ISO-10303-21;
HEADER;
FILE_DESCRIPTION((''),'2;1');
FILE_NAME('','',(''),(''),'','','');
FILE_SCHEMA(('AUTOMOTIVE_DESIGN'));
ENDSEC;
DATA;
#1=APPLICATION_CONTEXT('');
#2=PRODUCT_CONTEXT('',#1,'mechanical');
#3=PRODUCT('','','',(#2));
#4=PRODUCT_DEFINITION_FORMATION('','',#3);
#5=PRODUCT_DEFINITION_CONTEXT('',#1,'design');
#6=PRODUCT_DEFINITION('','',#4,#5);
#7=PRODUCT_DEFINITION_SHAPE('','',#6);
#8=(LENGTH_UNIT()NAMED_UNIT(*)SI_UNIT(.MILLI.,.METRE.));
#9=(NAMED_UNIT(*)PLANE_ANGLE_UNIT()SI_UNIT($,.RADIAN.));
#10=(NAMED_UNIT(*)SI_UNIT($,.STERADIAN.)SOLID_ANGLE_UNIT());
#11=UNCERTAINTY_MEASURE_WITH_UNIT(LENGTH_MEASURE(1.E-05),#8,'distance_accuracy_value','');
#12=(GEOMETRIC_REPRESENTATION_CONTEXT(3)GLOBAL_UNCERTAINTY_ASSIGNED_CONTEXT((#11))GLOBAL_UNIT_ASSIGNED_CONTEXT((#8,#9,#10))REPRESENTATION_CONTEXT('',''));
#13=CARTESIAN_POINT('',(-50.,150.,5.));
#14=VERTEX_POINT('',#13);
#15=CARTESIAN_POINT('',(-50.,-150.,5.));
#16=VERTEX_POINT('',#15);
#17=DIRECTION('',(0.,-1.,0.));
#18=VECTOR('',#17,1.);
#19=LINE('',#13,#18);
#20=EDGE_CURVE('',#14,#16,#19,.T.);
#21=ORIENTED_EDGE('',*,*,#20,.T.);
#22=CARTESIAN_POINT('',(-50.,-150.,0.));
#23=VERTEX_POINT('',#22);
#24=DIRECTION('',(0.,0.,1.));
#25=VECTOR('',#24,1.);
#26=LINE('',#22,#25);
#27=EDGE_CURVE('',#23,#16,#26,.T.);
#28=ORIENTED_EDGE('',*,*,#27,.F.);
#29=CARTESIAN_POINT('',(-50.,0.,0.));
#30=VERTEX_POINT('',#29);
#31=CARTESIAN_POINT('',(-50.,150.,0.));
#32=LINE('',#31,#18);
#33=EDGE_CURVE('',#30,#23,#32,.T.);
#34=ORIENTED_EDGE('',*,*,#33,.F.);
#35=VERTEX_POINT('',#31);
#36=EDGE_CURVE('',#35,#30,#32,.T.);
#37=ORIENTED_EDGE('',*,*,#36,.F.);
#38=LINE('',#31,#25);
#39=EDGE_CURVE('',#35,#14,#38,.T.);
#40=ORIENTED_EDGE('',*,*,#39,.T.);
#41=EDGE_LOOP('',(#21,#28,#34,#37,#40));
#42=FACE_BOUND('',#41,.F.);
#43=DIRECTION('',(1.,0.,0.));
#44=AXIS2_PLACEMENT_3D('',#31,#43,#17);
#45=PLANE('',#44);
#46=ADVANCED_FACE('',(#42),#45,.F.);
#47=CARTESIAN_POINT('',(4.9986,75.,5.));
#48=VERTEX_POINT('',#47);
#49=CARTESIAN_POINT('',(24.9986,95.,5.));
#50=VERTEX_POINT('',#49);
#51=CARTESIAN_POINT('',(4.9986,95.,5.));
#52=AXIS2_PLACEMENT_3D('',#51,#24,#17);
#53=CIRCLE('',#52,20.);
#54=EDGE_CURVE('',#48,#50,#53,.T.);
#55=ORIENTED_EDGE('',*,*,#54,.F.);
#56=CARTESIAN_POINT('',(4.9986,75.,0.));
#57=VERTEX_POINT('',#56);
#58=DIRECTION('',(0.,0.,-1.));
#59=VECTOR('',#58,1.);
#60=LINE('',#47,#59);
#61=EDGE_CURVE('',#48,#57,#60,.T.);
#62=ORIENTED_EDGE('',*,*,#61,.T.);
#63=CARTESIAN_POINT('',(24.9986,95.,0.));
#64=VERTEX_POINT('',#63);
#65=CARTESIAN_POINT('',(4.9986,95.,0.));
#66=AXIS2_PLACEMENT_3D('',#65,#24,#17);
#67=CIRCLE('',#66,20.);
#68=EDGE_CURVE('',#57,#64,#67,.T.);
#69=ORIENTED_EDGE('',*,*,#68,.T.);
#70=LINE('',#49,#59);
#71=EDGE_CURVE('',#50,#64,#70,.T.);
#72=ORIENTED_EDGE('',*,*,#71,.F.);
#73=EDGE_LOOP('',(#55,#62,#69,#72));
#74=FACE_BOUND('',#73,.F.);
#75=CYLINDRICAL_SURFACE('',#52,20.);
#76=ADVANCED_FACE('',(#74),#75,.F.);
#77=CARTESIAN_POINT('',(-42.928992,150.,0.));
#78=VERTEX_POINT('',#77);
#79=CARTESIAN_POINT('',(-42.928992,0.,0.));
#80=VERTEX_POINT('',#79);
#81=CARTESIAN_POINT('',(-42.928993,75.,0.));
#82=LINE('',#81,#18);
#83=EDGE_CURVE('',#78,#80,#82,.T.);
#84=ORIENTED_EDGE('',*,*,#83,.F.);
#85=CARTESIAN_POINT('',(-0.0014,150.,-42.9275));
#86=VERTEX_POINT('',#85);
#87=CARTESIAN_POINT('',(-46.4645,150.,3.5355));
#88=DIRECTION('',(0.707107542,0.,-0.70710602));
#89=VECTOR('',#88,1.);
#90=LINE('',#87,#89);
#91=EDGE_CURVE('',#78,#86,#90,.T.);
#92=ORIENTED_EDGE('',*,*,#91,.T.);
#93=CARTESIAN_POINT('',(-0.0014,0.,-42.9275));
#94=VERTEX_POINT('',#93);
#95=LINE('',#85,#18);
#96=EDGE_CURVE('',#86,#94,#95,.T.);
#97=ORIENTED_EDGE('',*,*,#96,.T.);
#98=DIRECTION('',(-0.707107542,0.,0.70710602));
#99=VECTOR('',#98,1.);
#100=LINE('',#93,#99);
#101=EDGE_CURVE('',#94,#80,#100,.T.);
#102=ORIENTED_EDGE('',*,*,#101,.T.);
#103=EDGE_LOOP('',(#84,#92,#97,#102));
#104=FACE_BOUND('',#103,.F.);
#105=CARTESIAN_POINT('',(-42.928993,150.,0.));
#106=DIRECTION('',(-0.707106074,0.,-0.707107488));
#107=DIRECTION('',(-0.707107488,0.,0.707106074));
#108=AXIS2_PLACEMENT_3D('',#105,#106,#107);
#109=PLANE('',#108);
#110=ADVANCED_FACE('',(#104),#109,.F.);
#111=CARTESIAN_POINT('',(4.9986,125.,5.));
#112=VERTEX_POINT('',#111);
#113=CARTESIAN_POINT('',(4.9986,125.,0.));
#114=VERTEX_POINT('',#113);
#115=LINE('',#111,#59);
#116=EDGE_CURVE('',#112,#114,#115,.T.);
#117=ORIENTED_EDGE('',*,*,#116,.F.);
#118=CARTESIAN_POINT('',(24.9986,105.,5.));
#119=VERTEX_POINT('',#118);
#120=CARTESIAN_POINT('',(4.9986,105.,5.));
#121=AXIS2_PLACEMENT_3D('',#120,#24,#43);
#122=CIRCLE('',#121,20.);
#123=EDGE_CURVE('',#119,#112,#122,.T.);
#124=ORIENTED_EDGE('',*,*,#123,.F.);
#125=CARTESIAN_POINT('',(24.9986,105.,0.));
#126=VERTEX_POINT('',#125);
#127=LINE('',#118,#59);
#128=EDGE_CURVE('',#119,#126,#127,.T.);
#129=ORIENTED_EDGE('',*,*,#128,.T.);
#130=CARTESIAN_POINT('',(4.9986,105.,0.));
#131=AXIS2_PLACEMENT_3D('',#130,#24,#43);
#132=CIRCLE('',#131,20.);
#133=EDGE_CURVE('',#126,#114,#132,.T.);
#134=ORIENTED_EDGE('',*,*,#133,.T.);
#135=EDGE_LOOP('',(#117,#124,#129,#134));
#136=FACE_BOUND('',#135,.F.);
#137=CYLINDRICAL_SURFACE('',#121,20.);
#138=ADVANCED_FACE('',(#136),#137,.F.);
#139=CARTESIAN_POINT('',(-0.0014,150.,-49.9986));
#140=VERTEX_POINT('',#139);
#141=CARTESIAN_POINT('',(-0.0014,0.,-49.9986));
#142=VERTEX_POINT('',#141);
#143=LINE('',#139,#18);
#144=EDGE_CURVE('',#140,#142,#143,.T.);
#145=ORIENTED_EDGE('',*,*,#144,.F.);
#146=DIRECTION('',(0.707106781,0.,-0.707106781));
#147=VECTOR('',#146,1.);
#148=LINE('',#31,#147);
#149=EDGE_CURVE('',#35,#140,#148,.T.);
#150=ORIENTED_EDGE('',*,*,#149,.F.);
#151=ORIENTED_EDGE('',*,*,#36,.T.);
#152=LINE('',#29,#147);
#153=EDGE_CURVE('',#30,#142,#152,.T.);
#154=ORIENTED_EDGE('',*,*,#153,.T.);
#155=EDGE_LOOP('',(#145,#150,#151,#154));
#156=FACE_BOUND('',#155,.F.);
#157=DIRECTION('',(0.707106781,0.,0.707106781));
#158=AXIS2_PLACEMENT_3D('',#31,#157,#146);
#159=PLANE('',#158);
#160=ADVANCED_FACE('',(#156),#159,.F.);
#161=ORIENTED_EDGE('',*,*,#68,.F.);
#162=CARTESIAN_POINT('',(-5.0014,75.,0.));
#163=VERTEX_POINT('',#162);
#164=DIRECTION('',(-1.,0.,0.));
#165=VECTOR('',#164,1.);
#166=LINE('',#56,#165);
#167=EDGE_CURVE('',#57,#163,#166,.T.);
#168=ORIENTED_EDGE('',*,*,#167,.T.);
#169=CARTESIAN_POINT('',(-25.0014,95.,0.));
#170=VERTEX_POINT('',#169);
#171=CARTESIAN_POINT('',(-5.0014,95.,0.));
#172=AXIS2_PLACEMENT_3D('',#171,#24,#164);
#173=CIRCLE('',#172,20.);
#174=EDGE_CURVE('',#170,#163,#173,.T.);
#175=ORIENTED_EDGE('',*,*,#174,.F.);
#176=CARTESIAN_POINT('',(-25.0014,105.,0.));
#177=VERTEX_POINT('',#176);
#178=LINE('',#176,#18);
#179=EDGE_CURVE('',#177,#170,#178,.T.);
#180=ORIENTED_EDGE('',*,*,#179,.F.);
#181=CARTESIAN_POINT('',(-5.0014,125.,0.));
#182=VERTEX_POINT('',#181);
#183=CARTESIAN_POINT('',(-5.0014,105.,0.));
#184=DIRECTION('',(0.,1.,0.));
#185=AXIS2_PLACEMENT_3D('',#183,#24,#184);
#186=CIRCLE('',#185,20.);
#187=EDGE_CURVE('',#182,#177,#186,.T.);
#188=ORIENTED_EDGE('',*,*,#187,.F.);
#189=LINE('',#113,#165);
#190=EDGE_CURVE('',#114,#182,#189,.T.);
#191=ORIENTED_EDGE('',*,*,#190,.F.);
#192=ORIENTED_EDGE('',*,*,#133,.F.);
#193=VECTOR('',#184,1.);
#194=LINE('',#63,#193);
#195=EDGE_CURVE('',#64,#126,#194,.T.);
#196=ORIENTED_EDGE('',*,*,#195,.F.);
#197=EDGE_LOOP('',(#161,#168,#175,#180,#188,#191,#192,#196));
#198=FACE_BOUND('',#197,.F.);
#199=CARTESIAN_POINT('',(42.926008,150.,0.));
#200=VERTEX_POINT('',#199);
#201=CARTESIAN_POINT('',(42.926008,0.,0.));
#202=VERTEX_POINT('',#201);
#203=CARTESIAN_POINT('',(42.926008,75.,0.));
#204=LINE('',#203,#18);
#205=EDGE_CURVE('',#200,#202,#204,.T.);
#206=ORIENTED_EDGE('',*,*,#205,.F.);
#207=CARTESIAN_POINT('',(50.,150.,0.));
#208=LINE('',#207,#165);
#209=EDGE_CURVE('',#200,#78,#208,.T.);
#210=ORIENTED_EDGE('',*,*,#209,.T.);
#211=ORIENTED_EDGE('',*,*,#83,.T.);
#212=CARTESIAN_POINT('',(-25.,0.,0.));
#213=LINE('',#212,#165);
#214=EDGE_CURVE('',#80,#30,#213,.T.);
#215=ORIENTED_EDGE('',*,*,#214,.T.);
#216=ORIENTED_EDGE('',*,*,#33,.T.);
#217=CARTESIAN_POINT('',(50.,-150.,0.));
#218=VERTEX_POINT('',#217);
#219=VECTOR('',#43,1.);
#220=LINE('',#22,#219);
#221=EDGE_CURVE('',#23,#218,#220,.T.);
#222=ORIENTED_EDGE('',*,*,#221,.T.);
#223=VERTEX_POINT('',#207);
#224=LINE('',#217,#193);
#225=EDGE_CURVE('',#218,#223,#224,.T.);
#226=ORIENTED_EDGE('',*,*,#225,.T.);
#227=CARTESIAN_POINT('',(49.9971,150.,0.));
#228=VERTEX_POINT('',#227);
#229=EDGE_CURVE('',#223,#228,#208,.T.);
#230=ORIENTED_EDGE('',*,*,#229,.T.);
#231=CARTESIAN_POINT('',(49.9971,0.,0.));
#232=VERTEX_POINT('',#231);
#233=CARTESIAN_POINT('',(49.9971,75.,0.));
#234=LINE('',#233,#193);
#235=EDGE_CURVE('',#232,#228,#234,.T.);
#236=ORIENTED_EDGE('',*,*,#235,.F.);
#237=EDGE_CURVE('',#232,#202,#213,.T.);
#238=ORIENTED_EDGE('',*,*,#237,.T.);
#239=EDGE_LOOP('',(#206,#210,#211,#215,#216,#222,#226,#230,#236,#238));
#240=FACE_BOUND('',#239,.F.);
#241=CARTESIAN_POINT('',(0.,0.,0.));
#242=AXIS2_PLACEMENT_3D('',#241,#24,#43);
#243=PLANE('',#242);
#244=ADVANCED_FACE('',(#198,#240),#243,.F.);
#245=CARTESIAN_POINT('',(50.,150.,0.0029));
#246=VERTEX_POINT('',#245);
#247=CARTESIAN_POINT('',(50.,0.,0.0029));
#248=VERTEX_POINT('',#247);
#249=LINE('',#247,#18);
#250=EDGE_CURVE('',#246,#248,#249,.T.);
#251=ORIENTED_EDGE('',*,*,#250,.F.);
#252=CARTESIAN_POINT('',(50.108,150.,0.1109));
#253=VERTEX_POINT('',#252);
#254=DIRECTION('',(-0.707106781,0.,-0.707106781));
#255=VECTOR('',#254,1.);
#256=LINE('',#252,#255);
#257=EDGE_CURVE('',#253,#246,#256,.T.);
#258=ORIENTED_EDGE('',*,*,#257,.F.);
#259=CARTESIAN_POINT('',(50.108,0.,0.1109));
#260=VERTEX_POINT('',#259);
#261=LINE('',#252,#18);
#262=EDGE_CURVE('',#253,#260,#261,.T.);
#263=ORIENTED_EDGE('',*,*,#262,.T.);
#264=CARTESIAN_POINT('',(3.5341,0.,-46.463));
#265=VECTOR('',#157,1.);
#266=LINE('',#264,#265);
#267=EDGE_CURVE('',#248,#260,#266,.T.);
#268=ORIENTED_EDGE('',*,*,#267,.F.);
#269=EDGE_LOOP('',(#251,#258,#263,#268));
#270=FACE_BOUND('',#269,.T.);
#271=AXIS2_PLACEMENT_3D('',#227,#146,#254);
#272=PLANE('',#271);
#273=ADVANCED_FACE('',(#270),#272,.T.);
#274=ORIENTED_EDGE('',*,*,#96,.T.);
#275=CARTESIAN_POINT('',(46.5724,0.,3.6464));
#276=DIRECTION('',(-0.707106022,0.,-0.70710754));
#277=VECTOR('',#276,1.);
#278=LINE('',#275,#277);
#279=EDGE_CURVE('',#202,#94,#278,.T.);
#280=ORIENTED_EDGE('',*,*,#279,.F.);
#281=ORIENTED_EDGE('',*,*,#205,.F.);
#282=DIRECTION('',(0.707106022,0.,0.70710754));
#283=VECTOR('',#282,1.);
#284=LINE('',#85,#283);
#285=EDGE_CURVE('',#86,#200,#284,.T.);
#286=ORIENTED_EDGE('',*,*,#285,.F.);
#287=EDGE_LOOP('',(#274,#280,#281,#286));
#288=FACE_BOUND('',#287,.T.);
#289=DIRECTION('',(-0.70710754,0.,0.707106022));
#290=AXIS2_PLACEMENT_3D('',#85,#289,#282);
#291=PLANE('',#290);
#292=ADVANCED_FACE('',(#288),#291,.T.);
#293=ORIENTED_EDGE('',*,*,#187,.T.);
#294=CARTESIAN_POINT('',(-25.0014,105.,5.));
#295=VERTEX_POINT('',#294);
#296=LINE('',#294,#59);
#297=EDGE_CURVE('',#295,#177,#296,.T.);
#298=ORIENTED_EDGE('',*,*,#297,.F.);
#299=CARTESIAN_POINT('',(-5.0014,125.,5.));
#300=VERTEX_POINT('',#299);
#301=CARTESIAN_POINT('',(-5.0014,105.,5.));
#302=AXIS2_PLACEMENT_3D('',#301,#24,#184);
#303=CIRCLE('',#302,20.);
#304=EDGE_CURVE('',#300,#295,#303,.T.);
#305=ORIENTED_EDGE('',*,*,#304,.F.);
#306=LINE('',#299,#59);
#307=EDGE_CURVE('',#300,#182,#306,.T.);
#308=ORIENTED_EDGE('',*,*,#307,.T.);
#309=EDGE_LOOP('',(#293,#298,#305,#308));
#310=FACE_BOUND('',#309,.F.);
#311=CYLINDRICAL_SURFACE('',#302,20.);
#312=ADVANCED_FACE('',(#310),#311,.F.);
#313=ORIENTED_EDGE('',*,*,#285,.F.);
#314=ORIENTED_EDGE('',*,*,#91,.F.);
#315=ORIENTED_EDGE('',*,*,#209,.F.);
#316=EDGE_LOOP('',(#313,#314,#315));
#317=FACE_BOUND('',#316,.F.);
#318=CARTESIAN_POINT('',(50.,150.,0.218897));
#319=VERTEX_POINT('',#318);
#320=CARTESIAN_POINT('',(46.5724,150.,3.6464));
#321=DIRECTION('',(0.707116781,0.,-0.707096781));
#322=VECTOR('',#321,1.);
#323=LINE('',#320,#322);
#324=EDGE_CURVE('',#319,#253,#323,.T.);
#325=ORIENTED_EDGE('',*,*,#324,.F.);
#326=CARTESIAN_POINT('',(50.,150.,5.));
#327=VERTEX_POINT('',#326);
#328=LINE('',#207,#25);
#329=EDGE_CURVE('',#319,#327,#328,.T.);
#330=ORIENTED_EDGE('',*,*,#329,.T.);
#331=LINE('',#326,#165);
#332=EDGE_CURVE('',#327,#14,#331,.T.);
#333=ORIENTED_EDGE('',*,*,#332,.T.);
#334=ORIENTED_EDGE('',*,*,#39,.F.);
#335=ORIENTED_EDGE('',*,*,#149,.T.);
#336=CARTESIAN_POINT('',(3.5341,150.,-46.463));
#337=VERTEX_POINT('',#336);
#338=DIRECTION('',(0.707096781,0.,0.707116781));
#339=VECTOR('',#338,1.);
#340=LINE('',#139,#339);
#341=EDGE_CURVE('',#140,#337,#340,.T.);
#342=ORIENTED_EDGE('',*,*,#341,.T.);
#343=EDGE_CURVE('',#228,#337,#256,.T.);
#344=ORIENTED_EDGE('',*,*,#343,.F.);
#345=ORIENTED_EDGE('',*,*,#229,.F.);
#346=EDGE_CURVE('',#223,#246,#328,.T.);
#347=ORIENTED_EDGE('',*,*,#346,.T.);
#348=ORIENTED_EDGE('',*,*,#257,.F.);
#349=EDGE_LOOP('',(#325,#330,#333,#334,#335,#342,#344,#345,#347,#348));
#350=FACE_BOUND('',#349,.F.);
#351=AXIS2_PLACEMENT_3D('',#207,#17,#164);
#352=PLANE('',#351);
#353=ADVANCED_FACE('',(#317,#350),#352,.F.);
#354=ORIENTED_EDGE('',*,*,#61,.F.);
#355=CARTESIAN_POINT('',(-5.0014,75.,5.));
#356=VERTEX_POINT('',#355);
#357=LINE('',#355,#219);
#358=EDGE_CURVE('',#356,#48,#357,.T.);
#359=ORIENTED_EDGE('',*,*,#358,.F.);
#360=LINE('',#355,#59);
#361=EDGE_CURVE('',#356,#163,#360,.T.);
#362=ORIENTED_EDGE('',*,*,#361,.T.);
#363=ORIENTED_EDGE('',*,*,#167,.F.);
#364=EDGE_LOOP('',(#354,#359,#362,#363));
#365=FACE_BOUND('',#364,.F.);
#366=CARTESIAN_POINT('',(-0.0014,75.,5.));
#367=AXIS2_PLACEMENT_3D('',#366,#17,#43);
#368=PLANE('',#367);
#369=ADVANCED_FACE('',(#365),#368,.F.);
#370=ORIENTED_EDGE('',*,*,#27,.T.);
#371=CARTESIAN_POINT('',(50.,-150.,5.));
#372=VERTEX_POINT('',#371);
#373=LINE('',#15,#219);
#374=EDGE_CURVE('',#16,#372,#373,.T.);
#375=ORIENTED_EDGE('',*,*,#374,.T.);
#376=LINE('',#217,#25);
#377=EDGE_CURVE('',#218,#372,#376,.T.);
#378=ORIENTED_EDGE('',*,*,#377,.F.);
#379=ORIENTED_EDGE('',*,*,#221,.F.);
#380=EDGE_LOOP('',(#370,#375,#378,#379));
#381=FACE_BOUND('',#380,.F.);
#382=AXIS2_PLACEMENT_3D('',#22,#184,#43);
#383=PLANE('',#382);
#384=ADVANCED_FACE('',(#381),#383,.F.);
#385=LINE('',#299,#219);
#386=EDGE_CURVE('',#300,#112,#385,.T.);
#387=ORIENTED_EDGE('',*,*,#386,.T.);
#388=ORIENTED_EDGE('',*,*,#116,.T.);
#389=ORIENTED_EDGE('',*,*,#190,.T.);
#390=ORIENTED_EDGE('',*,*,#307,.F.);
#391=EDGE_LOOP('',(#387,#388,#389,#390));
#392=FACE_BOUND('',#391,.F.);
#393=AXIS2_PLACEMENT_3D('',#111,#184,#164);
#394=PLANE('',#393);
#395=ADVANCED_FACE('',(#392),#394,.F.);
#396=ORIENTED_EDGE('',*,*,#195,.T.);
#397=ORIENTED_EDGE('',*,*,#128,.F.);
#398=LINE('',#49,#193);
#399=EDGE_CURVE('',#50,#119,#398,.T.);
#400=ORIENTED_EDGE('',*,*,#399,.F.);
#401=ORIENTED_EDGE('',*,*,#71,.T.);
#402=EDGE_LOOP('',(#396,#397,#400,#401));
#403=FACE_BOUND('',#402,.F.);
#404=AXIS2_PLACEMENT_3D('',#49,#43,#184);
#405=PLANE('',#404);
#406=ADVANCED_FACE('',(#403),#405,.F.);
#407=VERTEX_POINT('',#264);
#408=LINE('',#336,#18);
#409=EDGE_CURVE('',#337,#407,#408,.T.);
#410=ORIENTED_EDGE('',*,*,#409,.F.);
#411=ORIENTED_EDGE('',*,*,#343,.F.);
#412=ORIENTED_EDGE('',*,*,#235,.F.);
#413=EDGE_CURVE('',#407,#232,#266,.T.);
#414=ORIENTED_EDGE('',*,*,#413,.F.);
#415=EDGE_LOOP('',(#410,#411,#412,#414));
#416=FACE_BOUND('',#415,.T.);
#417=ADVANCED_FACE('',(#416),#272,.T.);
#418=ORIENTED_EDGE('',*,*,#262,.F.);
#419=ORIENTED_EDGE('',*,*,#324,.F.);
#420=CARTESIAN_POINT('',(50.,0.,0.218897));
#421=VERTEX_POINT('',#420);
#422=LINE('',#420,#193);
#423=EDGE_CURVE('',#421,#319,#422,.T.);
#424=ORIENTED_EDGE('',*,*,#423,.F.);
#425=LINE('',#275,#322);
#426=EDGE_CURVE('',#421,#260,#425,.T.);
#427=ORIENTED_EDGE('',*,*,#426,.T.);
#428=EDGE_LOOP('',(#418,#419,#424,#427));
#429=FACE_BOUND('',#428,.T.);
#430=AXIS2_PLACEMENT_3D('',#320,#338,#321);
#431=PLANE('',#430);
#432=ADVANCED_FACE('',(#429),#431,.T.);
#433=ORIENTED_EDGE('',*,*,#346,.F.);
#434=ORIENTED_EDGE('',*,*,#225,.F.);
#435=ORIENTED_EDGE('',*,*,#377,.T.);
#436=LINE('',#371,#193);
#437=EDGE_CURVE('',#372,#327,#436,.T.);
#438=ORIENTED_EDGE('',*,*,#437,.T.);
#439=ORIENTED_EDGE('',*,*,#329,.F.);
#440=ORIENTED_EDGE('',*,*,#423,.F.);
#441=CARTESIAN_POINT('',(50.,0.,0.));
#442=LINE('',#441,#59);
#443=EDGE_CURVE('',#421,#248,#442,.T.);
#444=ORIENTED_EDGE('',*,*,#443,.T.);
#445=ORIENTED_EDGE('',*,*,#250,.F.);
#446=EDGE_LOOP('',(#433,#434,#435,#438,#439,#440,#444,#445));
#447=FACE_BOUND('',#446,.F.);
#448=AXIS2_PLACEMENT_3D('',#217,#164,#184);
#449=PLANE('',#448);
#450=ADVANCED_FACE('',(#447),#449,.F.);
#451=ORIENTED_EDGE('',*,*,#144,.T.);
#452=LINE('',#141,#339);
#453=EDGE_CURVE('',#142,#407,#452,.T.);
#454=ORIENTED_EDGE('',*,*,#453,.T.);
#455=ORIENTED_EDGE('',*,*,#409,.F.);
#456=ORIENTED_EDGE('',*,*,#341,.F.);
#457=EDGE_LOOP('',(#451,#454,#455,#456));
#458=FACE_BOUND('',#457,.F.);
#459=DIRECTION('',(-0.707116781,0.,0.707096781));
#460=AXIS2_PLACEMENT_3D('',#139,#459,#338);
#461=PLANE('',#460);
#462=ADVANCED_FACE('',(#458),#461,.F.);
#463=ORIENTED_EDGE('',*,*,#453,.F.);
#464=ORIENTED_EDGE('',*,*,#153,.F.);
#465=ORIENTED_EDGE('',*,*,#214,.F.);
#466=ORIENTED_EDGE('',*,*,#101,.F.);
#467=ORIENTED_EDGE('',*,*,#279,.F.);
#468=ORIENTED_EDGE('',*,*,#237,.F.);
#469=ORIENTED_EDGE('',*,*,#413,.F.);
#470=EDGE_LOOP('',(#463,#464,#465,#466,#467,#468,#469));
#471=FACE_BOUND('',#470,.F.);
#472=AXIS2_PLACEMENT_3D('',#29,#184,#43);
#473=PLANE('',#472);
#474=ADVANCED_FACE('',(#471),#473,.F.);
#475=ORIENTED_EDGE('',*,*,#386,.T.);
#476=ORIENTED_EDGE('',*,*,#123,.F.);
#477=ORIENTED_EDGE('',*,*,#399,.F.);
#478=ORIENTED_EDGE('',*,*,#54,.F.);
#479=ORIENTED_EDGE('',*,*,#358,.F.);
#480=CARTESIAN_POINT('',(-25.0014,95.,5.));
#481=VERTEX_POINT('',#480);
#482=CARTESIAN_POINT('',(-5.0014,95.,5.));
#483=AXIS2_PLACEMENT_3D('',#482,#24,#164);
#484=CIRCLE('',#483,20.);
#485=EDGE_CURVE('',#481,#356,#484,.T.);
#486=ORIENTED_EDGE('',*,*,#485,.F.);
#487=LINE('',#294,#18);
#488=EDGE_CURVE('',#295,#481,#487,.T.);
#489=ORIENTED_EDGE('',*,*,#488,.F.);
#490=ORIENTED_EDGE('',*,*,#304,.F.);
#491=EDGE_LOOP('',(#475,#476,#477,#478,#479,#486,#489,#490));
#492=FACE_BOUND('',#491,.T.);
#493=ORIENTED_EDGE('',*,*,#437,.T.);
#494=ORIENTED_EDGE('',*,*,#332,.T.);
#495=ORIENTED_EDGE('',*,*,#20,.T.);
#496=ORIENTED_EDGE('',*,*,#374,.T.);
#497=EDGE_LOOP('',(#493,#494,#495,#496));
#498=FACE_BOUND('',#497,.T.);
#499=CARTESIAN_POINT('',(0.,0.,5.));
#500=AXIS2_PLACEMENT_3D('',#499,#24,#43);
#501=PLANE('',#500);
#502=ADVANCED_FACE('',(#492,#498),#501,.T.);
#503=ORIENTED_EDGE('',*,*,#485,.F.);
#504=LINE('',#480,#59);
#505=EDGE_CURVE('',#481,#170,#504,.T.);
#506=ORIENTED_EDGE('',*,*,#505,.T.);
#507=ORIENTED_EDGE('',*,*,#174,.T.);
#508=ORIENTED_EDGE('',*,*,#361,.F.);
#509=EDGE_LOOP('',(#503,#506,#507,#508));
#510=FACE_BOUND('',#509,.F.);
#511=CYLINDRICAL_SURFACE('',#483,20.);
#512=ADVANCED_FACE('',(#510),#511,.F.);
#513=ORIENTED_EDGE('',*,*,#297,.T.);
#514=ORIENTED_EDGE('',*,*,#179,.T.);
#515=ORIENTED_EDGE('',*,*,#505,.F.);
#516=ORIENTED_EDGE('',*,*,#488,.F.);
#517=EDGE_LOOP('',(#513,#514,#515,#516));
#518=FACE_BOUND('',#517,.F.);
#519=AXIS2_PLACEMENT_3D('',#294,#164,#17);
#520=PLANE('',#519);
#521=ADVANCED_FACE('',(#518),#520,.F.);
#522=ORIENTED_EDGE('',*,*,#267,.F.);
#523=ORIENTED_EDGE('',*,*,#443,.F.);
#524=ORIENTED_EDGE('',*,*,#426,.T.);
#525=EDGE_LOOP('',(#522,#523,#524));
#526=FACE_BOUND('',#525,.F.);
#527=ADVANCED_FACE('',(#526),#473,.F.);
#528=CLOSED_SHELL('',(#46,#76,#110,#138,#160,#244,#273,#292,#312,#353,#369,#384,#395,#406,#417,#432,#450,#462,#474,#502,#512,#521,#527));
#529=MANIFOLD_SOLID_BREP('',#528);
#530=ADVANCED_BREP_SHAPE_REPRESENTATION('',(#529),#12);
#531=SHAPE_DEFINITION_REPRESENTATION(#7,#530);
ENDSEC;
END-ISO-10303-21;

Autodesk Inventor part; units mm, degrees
ref_plane "YZ Plane" through (0, 0, 0) normal (1, 0, 0) x (0, 1, 0)
ref_plane "XZ Plane" through (0, 0, 0) normal (0, 1, 0) x (-1, 0, 0)
ref_plane "XY Plane" through (0, 0, 0) normal (0, 0, 1) x (1, 0, 0)
sketch "Sketch1" plane through (0, 0, 0) normal (0, 0, 1) x (1, 0, 0)
  line L0 (-50, -150) -> (50, -150)
  line L1 (50, -150) -> (50, 150)
  line L2 (50, 150) -> (-50, 150)
  line L3 (-50, 150) -> (-50, -150)
  line L4 (-50, -150) -> (50, 150) construction
  line L5 (50, -150) -> (-50, 150) construction
  point P0 (0, 0)
  dimension "d0" = 100
  dimension "d1" = 300
extrude "Extrusion1" add sketch "Sketch1" along normal blind 5
sketch "Sketch2" plane through (-50, 150, 0) normal (0, 1, 0) x (1, 0, 0)
  line L0 (0, 0) -> (100, 0) projected
  line L1 (0, 0) -> (49.9986, 49.9986)
  line L2 (49.9986, 49.9986) -> (53.5341, 46.463)
  line L3 (53.5341, 46.463) -> (3.5355, -3.5355)
  line L4 (3.5355, -3.5355) -> (0, 0)
  line L5 (0, 0) -> (70.7086, 0) construction
  line L6 (100.108, -0.1109) -> (53.5341, 46.463)
  line L7 (53.5341, 46.463) -> (49.9986, 42.9275)
  line L8 (49.9986, 42.9275) -> (96.5724, -3.6464)
  line L9 (96.5724, -3.6464) -> (100.108, -0.1109)
  point P0 (50, 0)
  point P1 (49.9986, 42.9275)
  dimension "d4" = 45
  dimension "d5" = 5
  dimension "d6" = 5
extrude "Extrusion2" add sketch "Sketch2" against normal blind 150 contours L1 L2 L3 L0 | L0 L3 L4 | L8 L3 L6 L0 | L0 L6 L9 L8
sketch "Sketch7" plane through (0, 0, 5) normal (0, 0, 1) x (1, 0, 0)
  line L0 (4.9986, 125) -> (-5.0014, 125)
  line L1 (-25.0014, 105) -> (-25.0014, 95)
  line L2 (-5.0014, 75) -> (4.9986, 75)
  line L3 (24.9986, 95) -> (24.9986, 105)
  line L4 (-0.0014, 150) -> (-0.0014, 0) projected
  line L5 (24.9986, 125) -> (-25.0014, 75) construction
  line L6 (-25.0014, 125) -> (24.9986, 75) construction
  arc A0 (4.9986, 75) -> (24.9986, 95) centre (4.9986, 95) ccw
  arc A1 (24.9986, 105) -> (4.9986, 125) centre (4.9986, 105) ccw
  arc A2 (-5.0014, 125) -> (-25.0014, 105) centre (-5.0014, 105) ccw
  arc A3 (-25.0014, 95) -> (-5.0014, 75) centre (-5.0014, 95) ccw
  point P0 (0, 0)
  point P1 (-0.0014, 100)
  dimension "d26" = 50
  dimension "d27" = 50
  dimension "d28" = 20
extrude "Extrusion7" cut sketch "Sketch7" against normal blind 5
properties part number "fixation_v06"
